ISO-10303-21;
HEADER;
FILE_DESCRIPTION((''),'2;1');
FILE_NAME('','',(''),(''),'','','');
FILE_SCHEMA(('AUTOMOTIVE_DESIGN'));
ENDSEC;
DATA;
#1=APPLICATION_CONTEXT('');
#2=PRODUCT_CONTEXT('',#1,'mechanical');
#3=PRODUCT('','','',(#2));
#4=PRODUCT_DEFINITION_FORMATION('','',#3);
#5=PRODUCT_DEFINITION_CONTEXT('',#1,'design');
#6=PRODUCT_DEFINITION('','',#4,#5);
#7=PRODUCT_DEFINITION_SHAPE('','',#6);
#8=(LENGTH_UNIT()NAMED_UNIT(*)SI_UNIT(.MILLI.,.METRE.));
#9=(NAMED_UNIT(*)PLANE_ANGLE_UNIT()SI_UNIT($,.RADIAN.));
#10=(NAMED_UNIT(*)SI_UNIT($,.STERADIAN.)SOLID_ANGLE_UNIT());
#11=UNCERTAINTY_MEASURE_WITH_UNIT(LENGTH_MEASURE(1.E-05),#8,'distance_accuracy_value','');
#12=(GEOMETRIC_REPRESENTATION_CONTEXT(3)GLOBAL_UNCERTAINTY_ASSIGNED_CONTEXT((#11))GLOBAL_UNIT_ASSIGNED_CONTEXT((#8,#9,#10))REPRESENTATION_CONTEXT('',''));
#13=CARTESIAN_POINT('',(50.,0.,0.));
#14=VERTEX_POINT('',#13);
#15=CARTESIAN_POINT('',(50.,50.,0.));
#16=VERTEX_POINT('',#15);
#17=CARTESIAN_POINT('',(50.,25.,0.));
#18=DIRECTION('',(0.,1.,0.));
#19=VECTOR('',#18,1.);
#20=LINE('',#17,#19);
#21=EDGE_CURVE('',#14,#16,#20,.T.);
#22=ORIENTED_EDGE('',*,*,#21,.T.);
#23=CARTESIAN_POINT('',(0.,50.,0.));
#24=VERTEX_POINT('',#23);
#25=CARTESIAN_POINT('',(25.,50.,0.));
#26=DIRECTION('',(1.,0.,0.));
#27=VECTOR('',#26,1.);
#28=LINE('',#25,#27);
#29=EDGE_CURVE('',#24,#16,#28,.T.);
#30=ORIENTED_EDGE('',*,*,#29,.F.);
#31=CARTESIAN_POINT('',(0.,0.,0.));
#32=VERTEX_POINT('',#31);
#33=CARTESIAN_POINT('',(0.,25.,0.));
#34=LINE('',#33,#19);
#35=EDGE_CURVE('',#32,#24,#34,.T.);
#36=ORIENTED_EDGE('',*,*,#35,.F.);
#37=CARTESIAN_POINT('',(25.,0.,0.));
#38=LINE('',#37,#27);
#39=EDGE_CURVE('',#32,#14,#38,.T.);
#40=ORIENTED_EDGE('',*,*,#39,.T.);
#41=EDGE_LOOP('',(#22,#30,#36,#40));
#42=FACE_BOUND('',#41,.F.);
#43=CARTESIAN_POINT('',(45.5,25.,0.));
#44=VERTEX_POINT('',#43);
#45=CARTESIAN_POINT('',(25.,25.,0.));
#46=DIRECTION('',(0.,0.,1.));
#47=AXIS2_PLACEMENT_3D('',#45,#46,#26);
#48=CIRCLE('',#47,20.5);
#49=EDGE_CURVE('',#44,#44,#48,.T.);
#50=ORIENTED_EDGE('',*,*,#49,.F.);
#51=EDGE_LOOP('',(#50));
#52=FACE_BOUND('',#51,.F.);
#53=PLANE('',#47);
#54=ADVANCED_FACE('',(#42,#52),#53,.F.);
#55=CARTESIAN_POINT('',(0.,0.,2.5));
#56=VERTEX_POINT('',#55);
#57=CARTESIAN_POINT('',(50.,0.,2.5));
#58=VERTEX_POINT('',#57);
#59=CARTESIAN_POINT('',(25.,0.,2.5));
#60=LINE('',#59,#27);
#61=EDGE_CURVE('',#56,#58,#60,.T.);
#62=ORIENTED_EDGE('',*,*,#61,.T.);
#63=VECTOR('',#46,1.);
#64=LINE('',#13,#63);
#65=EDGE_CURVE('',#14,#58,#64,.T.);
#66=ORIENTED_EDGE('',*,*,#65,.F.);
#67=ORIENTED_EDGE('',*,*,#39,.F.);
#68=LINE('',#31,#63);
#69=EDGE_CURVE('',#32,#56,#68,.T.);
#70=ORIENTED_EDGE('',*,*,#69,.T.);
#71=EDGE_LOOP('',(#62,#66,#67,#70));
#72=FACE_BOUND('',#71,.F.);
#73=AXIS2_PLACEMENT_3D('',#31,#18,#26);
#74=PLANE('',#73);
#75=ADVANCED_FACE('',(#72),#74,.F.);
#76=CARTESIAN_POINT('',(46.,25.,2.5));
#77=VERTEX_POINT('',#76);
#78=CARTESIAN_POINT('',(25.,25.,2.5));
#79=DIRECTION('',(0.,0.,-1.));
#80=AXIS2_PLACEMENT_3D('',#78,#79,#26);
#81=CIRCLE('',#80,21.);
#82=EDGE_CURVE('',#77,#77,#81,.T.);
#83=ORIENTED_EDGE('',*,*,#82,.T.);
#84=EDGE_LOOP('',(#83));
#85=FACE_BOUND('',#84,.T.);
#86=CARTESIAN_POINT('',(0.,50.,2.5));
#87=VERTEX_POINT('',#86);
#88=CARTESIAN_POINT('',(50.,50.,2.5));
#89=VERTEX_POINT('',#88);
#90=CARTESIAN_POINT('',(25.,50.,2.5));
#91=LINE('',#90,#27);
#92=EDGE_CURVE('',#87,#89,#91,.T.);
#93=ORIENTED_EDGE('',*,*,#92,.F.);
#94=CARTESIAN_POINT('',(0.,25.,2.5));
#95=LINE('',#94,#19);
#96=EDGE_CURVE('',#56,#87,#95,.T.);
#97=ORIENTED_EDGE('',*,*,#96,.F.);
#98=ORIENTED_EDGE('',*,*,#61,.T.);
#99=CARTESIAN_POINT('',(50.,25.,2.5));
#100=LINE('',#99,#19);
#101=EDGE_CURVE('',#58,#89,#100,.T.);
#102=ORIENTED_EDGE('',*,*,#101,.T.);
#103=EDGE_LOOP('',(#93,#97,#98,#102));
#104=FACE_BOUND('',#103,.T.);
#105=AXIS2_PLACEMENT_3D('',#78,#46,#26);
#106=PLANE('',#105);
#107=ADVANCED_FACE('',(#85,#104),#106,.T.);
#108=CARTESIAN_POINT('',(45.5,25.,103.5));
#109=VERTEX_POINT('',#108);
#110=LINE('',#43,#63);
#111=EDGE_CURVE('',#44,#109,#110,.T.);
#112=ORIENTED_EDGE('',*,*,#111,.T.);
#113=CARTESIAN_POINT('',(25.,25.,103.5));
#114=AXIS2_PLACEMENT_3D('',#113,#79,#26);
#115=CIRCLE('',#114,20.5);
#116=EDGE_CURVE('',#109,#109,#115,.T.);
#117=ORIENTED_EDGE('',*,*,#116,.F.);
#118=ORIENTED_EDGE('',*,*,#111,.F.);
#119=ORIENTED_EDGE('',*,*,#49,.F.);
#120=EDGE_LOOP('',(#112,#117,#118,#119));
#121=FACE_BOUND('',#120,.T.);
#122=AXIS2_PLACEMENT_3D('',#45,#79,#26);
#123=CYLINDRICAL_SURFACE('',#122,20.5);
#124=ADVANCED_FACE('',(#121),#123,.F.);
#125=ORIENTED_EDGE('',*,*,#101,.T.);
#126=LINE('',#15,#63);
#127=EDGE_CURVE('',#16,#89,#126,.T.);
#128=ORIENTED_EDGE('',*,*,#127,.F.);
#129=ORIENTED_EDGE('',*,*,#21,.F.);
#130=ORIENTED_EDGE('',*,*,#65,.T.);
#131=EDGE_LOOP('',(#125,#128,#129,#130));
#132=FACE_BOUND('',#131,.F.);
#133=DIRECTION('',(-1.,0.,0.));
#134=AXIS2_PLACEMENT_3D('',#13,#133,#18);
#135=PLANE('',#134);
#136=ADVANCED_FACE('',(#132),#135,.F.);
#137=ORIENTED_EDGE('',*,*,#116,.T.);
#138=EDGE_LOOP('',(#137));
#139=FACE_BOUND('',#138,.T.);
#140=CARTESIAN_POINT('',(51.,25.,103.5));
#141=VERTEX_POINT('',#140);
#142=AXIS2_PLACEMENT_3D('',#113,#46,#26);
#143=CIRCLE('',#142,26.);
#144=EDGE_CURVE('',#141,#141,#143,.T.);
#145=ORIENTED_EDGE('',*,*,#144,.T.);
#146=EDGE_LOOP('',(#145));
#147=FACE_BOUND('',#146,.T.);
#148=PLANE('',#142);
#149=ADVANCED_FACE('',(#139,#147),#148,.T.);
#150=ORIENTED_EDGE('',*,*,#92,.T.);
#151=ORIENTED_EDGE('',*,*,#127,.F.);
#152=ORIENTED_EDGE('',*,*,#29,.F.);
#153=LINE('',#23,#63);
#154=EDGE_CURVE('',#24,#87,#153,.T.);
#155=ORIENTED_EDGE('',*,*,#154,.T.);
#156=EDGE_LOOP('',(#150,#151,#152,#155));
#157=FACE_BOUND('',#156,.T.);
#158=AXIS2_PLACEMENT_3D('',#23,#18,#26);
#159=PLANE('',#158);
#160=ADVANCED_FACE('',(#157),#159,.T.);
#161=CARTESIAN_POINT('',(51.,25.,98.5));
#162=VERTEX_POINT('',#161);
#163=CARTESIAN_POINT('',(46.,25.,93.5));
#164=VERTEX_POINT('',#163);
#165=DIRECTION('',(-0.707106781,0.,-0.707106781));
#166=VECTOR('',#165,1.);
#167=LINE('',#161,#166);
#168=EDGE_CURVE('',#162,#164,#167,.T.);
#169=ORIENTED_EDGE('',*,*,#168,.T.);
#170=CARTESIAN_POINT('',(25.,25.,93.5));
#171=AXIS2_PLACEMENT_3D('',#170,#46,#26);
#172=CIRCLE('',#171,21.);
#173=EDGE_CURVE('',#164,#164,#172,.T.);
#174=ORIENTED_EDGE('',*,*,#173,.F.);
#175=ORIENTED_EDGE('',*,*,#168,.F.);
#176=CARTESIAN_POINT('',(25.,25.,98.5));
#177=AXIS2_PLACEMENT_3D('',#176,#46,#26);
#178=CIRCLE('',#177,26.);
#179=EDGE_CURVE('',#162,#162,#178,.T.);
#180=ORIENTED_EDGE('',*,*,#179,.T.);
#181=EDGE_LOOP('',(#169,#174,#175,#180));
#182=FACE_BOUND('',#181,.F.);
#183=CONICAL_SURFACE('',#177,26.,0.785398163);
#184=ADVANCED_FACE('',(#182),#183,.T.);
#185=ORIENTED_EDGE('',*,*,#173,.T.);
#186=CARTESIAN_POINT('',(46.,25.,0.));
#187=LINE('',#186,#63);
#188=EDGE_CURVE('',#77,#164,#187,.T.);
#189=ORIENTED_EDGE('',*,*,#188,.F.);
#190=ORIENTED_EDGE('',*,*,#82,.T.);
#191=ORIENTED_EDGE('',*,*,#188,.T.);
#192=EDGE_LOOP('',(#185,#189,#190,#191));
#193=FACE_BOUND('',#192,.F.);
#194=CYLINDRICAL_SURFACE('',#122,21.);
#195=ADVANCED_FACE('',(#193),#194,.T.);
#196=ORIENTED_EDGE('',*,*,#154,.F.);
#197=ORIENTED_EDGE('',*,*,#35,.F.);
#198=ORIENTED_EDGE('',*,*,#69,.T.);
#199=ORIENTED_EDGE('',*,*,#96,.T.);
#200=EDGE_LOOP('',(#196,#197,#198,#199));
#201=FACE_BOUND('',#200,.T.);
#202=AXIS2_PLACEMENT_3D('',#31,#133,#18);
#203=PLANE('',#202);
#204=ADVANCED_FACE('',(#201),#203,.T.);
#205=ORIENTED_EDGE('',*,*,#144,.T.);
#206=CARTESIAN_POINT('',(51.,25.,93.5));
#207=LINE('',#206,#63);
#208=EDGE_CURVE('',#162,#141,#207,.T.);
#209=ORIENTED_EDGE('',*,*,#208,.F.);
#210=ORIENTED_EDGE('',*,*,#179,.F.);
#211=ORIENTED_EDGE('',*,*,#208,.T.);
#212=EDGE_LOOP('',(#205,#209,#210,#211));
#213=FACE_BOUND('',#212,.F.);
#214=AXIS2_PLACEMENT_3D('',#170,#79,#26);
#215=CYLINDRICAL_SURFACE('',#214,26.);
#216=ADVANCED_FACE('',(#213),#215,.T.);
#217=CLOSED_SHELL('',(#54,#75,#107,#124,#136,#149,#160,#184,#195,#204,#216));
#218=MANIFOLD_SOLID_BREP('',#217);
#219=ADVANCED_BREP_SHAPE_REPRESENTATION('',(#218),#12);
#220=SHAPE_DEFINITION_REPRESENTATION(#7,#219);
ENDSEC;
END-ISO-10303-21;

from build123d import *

# Parameters (mm, degrees)
CYLINDER_R        = 20.5
CYLINDER_DEPTH    = 120
CYLINDER002_R     = 26
CYLINDER002_DEPTH = 10
CHAMFER_SIZE      = 5
CYLINDER001_R     = 21
CYLINDER001_DEPTH = 100
BOX_W             = 50
BOX_H             = 50
BOX_DEPTH         = 2.5


with BuildPart() as cylinder:
    # Cylinder → Cylinder (new body)
    with BuildSketch(Plane(origin=(25, 25, 0), x_dir=(1, 0, 0), z_dir=(0, 0, 1))):
        Circle(CYLINDER_R)
    extrude(amount=CYLINDER_DEPTH)


with BuildPart() as chamfer_body:
    # Cylinder002 → Cylinder002 (new body)
    with BuildSketch(Plane(origin=(25, 25, 93.5), x_dir=(1, 0, 0), z_dir=(0, 0, 1))):
        Circle(CYLINDER002_R)
    extrude(amount=CYLINDER002_DEPTH)

    # Chamfer
    chamfer_edges = [chamfer_body.edges().sort_by_distance(p)[0] for p in [
        (-1, 25, 93.5),
    ]]
    chamfer(chamfer_edges, length=CHAMFER_SIZE)


with BuildPart() as fusion:
    # Cylinder001 → Cylinder001 (new body)
    with BuildSketch(Plane(origin=(25, 25, 0), x_dir=(1, 0, 0), z_dir=(0, 0, 1))):
        Circle(CYLINDER001_R)
    extrude(amount=CYLINDER001_DEPTH)

    # Fusion: union Chamfer body
    add(chamfer_body.part)


with BuildPart() as cut:
    # Box → Box (new body)
    with BuildSketch(Plane.XY):
        with Locations((25, 25)):
            Rectangle(BOX_W, BOX_H)
    extrude(amount=BOX_DEPTH)

    # Fusion001: union Fusion
    add(fusion.part)

    # Cut: cut Cylinder
    add(cylinder.part, mode=Mode.SUBTRACT)


solid = cut.part
